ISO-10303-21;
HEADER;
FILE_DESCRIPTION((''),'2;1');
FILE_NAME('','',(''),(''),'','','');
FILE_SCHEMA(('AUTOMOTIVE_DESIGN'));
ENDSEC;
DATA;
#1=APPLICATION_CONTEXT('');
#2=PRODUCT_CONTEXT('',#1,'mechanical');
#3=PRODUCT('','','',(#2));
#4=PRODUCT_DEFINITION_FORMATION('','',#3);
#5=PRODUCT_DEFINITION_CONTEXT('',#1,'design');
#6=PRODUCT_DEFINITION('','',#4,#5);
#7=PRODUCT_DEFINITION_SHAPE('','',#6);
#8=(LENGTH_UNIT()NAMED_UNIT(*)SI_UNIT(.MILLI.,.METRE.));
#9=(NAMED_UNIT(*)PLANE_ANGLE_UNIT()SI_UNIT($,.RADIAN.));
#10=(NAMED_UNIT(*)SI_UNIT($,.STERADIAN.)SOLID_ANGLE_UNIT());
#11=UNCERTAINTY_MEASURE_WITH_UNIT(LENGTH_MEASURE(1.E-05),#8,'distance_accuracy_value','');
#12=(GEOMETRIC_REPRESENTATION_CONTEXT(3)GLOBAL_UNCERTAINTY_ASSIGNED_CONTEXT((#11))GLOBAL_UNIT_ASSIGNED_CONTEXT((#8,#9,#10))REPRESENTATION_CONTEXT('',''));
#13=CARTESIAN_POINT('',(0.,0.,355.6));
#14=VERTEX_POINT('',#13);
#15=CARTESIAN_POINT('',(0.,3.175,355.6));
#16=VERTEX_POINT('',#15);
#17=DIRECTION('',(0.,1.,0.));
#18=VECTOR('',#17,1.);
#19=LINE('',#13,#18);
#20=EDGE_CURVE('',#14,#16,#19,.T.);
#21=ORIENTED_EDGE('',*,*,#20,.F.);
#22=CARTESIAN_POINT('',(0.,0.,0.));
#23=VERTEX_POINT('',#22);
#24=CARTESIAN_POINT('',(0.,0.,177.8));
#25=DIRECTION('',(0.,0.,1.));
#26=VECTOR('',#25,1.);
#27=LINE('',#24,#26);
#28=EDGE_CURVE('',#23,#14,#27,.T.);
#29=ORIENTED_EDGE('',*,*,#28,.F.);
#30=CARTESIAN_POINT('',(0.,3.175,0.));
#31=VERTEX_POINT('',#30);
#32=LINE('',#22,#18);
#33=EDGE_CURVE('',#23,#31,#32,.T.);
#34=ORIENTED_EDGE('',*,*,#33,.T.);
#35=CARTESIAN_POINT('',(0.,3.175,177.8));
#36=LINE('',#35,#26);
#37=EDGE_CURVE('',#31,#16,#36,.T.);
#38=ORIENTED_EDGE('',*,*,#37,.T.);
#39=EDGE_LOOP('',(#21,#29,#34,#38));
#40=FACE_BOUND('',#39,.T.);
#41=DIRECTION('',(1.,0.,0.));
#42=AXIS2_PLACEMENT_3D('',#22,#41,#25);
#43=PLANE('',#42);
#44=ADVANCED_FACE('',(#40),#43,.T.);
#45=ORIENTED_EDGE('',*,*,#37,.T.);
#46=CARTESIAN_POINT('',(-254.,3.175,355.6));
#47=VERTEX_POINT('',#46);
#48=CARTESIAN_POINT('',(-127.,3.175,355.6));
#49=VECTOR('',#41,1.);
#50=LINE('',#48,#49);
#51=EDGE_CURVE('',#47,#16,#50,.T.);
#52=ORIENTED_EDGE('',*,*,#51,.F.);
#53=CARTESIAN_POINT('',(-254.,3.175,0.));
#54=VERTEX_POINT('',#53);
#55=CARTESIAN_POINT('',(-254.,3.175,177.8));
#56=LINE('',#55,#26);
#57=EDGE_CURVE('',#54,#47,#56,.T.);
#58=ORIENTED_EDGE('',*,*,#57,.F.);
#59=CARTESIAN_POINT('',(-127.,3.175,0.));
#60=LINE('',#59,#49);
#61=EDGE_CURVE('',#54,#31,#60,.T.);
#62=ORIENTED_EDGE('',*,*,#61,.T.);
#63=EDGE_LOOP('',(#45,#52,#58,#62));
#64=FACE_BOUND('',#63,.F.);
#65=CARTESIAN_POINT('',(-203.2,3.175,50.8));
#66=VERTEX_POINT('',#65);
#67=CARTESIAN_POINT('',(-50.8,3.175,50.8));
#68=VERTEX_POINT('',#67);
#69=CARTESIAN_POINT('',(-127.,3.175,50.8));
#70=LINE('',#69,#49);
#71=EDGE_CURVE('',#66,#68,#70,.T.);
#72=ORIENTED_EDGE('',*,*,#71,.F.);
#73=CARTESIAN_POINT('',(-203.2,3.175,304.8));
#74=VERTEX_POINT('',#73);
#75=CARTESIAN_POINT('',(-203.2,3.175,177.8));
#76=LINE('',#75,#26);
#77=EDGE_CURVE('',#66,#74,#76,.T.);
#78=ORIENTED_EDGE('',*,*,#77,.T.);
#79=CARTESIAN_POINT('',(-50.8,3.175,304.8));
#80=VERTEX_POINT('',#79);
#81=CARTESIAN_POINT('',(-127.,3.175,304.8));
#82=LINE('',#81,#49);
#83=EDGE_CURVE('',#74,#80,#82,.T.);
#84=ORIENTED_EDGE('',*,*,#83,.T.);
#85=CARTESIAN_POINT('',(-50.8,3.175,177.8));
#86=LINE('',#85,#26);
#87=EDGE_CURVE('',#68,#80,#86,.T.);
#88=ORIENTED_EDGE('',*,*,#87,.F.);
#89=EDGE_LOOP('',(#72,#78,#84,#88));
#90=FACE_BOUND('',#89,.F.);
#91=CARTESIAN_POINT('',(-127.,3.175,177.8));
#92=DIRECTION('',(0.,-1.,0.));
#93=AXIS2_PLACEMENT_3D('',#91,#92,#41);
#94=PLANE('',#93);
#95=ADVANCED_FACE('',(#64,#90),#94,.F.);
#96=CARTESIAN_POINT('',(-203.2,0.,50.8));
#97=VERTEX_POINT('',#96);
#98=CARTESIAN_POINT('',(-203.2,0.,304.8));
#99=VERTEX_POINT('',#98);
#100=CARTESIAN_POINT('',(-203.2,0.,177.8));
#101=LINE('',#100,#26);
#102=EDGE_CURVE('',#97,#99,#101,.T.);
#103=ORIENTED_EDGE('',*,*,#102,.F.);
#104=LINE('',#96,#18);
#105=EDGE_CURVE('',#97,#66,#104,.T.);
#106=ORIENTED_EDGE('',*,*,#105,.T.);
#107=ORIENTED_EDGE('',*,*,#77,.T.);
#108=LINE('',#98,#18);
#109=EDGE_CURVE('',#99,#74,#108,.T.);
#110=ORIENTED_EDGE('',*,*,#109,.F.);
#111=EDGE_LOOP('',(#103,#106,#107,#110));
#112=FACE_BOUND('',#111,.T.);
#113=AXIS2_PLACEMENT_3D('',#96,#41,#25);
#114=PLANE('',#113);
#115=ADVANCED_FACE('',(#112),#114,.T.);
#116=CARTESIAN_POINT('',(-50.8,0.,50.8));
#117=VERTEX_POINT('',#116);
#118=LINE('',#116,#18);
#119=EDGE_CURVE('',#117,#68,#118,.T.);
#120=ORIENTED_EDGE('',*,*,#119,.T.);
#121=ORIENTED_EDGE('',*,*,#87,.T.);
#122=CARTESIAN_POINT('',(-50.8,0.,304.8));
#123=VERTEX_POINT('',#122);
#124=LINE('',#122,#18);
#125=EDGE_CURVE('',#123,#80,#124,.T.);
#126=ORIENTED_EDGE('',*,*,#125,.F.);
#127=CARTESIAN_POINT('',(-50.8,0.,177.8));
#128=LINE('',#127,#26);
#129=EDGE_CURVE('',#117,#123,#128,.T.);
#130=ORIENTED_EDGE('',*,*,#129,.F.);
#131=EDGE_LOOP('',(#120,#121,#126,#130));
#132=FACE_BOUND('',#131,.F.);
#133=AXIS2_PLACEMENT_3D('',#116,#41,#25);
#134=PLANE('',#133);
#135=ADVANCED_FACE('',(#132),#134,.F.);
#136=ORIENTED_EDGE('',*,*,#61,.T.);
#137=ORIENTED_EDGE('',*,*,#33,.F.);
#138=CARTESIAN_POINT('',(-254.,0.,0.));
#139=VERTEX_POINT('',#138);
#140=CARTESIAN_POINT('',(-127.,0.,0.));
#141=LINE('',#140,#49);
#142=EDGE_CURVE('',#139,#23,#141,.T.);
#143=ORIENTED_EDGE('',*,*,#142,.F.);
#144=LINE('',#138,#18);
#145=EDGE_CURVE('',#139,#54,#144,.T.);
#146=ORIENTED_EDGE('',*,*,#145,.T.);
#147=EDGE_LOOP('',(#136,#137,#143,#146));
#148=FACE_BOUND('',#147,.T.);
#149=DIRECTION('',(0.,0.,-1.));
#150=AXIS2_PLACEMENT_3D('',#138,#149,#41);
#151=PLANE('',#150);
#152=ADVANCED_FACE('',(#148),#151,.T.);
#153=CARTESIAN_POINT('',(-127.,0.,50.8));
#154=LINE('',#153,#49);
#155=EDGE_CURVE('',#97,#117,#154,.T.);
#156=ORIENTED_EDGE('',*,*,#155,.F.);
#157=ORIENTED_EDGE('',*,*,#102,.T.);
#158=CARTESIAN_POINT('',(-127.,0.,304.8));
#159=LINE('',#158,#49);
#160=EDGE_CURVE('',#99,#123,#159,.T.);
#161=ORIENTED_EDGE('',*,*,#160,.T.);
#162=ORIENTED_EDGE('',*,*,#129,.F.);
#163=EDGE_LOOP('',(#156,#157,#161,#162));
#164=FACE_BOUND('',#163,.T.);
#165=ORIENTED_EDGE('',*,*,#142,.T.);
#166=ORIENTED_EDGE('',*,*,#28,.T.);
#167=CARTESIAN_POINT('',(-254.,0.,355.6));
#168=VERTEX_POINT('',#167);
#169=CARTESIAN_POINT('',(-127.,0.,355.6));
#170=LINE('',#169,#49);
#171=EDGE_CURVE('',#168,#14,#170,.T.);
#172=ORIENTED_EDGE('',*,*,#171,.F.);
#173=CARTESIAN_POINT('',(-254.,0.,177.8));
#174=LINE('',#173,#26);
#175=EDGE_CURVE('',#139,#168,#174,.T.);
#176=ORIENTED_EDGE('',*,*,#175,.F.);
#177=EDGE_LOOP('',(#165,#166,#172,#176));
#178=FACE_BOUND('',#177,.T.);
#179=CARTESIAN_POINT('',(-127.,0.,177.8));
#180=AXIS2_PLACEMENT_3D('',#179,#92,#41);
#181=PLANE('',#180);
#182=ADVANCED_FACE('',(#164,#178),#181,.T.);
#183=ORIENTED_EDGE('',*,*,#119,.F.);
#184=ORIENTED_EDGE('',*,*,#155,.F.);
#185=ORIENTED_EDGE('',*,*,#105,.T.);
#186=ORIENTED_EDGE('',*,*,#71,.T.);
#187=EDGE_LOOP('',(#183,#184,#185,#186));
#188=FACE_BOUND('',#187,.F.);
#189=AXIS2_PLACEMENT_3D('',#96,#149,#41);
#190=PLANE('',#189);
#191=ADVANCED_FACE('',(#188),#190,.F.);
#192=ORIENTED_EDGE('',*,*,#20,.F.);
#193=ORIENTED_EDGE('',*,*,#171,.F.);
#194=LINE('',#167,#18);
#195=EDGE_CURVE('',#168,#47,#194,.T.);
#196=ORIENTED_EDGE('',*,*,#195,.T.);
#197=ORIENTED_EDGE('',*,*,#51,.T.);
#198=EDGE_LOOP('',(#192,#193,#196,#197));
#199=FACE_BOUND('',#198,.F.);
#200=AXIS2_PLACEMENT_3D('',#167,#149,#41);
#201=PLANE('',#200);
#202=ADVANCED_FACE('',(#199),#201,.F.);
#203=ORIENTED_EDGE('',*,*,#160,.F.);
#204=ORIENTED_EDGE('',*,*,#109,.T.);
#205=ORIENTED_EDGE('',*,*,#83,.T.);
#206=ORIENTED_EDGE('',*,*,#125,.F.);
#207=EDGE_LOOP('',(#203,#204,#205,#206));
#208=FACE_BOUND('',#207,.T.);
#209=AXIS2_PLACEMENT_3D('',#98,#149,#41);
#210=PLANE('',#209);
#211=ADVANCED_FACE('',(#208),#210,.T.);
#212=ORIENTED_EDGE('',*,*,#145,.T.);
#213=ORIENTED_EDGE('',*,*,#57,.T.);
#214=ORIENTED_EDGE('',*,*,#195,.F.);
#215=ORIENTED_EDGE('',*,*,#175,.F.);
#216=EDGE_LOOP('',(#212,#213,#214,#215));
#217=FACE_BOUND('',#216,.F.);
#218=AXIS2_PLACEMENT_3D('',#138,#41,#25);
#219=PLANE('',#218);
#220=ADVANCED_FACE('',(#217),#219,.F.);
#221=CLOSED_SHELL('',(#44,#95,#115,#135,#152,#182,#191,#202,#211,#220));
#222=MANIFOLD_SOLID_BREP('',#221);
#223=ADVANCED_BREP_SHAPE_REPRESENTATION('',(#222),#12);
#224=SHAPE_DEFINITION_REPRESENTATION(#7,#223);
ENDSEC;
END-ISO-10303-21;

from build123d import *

# Parameters (mm, degrees)
F0_W     = 254
F0_H     = 355.6
F0_W_2   = 152.4
F0_H_2   = 254
F1_DEPTH = 3.175


with BuildPart() as f1:
    # F0 (on Front) → F1 (new body)
    with BuildSketch(Plane.XZ):
        with Locations((-127, 177.8)):
            Rectangle(F0_W, F0_H)
        with Locations((-127, 177.8)):
            Rectangle(F0_W_2, F0_H_2, mode=Mode.SUBTRACT)
    extrude(amount=-F1_DEPTH)


solid = f1.part
